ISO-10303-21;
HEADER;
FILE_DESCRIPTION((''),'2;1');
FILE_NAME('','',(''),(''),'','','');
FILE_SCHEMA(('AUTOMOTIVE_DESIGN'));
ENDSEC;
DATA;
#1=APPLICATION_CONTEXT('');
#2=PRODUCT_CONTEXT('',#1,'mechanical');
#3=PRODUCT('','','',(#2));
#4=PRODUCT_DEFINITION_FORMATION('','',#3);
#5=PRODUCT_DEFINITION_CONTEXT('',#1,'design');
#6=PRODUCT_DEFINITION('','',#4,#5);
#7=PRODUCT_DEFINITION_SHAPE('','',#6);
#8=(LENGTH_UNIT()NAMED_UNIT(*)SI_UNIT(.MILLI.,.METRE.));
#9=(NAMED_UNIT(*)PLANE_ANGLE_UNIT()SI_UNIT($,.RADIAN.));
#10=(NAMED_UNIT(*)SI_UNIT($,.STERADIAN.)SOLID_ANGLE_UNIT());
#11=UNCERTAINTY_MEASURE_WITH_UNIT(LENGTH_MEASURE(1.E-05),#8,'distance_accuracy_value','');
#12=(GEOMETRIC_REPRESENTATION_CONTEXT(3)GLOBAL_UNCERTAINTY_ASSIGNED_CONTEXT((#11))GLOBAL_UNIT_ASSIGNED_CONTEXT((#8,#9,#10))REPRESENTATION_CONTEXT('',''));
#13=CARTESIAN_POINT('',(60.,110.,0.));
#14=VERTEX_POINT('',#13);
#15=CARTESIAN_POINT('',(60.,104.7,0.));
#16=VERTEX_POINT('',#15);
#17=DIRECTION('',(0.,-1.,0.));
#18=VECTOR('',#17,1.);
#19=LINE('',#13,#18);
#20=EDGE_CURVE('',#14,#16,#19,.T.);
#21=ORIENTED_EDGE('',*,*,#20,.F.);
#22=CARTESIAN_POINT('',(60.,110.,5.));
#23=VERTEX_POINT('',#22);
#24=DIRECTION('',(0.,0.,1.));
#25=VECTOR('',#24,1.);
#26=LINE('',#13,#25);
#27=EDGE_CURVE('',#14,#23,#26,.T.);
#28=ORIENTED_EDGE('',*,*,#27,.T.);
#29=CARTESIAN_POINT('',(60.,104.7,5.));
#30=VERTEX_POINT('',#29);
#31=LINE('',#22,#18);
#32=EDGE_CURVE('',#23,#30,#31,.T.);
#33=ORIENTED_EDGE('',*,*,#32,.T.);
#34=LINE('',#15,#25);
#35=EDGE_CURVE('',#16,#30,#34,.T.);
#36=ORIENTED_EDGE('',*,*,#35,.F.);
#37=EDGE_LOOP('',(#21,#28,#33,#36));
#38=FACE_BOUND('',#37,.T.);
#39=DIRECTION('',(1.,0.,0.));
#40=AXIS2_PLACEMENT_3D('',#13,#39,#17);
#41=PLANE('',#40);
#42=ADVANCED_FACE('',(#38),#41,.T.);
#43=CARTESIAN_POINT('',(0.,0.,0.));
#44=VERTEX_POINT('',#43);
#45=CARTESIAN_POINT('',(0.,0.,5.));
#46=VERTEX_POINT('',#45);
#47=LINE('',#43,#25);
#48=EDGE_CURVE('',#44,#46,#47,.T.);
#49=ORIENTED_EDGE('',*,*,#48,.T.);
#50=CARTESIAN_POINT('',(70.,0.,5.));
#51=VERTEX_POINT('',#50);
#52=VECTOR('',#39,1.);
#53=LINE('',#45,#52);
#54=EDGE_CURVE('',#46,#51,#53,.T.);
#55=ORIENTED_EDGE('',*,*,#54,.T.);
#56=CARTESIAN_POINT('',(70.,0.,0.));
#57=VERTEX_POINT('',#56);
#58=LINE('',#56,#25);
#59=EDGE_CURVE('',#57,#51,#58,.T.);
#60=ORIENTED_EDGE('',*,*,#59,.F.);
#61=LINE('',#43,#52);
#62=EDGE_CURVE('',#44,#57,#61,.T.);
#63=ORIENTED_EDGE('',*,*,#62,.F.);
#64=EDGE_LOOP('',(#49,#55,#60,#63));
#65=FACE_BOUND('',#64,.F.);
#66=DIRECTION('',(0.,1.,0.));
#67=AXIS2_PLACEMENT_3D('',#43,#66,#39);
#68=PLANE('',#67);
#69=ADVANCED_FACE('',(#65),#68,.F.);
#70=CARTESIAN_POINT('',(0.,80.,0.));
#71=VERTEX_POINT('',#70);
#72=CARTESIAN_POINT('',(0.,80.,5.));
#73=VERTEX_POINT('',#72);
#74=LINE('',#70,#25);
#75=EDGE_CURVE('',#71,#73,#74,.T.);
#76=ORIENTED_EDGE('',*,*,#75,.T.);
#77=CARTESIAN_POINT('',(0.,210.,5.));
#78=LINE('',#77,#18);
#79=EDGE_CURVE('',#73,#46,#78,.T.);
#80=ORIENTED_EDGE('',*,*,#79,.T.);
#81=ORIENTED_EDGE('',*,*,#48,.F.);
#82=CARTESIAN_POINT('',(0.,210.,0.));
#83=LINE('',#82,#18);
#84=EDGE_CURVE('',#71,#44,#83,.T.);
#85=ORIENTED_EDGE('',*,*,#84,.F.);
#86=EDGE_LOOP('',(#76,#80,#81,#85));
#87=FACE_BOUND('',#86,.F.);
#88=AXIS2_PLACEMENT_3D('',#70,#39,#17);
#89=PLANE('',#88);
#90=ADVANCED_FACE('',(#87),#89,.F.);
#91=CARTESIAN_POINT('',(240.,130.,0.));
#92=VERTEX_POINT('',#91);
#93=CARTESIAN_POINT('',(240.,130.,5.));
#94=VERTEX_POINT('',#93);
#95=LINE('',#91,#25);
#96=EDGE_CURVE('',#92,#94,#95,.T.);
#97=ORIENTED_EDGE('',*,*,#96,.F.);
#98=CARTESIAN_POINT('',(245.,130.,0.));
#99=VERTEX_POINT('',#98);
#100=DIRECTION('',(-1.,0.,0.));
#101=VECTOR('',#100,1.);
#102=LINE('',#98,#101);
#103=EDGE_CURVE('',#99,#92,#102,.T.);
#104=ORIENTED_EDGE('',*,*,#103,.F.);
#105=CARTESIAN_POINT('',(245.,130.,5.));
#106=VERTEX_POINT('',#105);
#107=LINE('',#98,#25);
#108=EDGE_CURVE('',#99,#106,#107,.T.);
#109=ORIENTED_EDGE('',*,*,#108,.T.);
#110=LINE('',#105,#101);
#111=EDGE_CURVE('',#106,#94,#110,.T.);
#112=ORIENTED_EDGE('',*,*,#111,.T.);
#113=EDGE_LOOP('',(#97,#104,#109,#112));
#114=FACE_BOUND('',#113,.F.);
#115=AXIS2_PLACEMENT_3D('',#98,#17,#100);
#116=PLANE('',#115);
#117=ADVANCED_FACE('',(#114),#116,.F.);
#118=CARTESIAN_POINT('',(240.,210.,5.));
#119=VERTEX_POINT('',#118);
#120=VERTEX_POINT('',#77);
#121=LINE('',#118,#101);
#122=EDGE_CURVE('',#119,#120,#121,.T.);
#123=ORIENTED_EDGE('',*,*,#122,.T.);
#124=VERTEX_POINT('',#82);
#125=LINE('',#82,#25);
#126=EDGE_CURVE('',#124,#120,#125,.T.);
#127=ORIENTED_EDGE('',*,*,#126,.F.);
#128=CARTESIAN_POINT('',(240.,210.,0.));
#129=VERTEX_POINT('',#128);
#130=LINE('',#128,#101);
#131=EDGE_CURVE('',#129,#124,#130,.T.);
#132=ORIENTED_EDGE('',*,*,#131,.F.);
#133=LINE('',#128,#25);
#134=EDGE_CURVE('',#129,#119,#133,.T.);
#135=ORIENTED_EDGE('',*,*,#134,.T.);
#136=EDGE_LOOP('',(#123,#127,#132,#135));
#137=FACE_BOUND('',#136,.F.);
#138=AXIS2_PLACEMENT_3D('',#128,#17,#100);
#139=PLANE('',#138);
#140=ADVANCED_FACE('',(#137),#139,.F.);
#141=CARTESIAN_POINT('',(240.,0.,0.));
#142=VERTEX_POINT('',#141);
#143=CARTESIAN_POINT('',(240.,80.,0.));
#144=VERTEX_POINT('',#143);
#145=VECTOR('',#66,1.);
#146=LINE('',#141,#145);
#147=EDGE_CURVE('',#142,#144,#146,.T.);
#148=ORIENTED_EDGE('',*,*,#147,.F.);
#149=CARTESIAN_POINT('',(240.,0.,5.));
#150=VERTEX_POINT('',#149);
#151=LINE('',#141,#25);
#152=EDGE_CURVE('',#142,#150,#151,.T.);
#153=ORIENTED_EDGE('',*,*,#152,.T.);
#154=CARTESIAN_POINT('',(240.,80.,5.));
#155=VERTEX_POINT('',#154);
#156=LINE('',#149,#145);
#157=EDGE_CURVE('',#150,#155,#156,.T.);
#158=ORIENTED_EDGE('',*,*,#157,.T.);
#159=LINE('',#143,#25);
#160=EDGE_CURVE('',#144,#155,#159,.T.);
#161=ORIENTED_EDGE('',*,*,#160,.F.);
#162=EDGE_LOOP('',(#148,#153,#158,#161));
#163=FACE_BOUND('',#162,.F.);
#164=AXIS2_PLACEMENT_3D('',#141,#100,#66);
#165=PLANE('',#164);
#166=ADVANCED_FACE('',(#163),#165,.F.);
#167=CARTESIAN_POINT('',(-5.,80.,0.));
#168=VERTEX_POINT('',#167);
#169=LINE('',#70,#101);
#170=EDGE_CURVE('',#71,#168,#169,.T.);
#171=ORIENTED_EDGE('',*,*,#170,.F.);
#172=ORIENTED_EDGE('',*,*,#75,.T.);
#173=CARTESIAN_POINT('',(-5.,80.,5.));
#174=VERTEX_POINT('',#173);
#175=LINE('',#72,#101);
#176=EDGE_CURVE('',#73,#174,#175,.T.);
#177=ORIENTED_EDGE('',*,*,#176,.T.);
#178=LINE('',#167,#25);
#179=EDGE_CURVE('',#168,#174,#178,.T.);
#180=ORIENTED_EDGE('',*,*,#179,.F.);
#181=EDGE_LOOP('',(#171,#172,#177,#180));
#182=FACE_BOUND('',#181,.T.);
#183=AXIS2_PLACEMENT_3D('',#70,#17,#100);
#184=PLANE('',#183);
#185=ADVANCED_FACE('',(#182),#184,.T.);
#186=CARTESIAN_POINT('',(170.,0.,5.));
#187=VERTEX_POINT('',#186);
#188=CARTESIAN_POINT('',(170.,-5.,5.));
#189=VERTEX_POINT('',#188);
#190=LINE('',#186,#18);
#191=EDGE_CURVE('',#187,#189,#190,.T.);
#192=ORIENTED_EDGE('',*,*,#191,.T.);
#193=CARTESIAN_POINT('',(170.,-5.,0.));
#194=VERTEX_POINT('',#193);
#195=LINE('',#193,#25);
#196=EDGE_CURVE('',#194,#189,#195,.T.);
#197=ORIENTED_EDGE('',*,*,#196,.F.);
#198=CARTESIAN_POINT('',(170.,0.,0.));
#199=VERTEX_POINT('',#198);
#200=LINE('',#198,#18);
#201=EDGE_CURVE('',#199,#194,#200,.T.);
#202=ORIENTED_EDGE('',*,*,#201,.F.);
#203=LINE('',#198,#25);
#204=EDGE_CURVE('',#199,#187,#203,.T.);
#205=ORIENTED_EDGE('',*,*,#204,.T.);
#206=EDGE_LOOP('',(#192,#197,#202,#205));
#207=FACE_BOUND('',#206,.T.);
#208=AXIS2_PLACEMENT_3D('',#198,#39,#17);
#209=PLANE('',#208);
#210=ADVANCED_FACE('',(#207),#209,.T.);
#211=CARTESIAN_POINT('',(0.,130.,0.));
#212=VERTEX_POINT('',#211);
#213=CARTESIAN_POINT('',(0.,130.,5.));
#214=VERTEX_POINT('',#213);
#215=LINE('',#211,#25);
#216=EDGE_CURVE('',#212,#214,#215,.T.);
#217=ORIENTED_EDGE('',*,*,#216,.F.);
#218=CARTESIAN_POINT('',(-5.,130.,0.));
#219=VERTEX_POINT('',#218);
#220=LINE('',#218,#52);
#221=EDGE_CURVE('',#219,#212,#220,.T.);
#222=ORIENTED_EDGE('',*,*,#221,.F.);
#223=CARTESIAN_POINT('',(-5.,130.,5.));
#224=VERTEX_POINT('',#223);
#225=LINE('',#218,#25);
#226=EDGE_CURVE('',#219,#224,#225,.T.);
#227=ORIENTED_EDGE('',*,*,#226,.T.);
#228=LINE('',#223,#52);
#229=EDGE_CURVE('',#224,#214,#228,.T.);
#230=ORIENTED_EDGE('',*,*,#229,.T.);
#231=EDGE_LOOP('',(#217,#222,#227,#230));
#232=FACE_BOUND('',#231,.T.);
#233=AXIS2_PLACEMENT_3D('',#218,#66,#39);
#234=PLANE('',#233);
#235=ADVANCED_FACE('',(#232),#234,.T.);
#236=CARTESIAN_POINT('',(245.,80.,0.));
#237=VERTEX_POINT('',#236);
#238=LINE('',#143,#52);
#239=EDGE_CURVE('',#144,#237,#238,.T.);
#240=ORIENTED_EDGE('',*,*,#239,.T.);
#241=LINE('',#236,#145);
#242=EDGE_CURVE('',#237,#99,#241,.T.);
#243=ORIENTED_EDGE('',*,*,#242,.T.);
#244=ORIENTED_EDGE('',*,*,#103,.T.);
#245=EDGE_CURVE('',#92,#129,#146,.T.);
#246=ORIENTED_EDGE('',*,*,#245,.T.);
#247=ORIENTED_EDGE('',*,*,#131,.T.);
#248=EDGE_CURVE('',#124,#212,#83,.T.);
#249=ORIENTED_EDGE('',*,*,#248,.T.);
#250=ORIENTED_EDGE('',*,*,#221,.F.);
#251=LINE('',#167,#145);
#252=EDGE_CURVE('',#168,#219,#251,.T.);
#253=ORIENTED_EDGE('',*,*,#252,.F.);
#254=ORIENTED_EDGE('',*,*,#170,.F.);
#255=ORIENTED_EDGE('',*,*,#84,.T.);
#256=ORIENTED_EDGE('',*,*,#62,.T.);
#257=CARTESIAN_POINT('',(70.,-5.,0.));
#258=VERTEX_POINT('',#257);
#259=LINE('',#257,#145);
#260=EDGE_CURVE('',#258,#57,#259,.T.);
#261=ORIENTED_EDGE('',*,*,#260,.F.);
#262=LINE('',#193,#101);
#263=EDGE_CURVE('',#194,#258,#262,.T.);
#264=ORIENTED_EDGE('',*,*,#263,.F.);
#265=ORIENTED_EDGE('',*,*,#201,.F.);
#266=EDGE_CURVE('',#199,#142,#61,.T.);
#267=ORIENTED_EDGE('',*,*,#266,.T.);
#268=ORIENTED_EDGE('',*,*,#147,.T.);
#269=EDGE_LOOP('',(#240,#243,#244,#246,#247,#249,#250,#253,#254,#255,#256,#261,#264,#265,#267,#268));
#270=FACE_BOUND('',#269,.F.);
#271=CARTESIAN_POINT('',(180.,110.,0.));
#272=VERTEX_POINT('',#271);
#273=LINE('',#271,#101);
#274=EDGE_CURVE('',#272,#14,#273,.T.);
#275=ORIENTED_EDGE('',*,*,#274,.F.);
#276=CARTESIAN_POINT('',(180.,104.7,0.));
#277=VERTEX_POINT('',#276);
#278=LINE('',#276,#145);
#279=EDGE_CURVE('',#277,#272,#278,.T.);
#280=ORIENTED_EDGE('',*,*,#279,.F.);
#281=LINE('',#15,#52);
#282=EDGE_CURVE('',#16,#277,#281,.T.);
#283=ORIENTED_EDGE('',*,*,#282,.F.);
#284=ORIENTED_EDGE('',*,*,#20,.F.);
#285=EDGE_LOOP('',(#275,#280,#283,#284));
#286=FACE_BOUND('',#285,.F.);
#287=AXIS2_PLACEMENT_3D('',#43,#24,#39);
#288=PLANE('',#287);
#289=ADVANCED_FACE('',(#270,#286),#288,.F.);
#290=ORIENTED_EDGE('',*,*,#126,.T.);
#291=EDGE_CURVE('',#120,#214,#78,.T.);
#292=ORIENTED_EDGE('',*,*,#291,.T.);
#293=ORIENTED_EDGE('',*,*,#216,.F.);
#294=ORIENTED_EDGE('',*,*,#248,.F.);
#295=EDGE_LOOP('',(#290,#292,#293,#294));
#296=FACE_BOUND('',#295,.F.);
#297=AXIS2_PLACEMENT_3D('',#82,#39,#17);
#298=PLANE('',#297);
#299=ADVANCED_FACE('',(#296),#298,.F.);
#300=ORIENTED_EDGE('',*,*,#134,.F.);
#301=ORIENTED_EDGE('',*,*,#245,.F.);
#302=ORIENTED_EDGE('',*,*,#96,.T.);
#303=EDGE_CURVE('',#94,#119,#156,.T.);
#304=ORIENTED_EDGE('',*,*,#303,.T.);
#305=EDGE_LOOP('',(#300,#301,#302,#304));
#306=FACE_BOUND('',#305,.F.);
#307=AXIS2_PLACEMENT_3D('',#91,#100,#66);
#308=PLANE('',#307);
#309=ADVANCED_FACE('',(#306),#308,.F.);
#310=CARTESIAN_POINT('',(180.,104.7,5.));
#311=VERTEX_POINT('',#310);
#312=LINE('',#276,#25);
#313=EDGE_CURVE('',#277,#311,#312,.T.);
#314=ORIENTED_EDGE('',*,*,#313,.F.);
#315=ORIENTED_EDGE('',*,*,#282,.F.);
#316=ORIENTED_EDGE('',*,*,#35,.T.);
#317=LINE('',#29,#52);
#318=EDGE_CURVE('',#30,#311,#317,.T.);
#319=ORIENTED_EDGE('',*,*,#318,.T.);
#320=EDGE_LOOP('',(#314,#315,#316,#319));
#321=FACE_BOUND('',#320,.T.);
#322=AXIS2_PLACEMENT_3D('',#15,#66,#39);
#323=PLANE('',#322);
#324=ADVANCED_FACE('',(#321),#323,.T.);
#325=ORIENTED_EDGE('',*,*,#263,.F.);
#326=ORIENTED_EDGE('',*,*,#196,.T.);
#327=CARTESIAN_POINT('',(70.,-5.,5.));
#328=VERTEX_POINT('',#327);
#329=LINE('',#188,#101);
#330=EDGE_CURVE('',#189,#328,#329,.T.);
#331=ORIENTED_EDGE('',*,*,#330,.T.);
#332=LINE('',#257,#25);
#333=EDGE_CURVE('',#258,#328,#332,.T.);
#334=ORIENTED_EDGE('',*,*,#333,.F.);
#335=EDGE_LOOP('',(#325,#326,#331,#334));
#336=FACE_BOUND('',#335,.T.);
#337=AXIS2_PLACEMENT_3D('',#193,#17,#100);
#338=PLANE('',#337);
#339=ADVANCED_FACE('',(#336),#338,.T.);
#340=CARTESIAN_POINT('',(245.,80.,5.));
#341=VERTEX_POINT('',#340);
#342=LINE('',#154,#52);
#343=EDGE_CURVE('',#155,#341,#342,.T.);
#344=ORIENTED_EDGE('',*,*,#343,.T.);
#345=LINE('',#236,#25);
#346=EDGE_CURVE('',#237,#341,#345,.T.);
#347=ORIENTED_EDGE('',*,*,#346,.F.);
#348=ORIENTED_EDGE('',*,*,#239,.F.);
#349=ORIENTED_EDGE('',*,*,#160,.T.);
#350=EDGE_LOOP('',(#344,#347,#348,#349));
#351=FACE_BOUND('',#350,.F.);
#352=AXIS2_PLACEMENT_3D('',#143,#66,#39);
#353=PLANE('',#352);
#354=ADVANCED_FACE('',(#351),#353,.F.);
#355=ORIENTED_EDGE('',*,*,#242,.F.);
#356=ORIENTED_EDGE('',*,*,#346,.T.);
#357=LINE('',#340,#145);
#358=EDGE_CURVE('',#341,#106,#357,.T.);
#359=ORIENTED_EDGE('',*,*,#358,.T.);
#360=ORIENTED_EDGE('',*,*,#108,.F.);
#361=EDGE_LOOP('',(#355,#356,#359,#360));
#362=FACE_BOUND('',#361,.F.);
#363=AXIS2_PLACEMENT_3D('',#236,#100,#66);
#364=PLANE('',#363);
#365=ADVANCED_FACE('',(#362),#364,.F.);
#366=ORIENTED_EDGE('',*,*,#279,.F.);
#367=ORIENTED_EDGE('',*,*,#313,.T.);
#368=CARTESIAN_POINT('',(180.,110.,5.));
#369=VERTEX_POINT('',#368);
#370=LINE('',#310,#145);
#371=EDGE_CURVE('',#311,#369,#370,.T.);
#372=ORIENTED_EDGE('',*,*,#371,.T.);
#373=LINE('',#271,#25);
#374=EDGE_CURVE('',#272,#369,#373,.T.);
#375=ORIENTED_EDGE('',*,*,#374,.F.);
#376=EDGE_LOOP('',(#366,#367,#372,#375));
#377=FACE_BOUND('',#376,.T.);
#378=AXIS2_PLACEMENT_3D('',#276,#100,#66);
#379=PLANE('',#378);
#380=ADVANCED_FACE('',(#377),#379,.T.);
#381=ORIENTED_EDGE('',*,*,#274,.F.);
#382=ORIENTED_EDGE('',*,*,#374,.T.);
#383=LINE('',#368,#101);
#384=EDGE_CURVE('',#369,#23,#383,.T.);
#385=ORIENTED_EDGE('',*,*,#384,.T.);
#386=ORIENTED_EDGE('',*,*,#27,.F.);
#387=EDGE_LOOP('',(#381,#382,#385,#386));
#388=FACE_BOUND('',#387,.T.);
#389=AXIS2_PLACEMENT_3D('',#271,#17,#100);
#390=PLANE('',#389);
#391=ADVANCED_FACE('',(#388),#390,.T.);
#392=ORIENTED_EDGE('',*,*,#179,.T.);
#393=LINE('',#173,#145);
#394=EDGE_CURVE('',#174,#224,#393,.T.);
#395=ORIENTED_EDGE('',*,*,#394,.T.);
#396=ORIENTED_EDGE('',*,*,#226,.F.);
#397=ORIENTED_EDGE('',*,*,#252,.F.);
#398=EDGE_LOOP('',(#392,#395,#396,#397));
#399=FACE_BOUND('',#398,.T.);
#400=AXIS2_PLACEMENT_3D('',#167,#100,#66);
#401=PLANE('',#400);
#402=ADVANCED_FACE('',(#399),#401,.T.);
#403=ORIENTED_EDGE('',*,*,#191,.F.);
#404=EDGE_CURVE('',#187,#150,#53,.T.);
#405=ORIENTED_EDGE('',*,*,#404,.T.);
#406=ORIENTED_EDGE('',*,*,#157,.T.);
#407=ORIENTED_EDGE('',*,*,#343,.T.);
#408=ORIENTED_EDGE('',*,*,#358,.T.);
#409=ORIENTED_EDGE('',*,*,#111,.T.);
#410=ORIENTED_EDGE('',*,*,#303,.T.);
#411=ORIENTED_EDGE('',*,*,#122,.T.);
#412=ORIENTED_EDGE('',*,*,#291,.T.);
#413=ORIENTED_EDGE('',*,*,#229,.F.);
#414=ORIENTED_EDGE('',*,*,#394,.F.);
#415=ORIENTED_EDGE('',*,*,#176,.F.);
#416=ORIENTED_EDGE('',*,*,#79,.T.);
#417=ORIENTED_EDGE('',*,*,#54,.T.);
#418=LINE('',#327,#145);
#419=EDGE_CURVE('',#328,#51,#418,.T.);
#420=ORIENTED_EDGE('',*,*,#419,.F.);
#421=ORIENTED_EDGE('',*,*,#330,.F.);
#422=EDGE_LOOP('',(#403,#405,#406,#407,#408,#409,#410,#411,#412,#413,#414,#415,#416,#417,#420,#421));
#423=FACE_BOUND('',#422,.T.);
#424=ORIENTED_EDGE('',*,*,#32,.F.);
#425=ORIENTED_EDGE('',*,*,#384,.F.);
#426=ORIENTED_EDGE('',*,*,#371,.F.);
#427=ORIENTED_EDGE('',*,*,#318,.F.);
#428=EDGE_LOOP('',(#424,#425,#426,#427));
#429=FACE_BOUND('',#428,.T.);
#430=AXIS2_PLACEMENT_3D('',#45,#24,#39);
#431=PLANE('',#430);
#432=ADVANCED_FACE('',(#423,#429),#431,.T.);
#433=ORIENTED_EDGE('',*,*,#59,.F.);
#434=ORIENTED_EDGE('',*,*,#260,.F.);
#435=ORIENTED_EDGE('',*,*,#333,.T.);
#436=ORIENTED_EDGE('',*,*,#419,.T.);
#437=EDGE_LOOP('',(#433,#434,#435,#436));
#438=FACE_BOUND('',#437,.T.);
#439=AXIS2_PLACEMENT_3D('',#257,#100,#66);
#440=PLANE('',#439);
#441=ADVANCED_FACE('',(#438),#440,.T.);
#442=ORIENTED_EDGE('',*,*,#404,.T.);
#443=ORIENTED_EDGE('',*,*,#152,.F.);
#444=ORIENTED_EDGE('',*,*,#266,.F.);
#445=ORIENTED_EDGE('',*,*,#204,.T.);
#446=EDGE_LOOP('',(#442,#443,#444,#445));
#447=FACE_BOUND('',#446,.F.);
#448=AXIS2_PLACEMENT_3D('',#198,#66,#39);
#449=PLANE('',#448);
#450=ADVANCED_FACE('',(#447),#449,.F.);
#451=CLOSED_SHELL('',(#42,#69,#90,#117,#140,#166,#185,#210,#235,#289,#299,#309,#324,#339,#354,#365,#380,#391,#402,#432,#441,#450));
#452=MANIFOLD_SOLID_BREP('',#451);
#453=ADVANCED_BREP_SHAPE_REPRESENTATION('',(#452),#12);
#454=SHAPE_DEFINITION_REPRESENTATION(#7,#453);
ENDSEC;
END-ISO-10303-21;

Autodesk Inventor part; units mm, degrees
ref_plane "YZ Plane" through (0, 0, 0) normal (1, 0, 0) x (0, 1, 0)
ref_plane "XZ Plane" through (0, 0, 0) normal (0, 1, 0) x (-1, 0, 0)
ref_plane "XY Plane" through (0, 0, 0) normal (0, 0, 1) x (1, 0, 0)
sketch "Sketch1" plane through (0, 0, 0) normal (0, 0, 1) x (1, 0, 0)
  line L0 (0, 0) -> (240, 0)
  line L1 (240, 0) -> (240, 210)
  line L2 (240, 210) -> (0, 210)
  line L3 (0, 210) -> (0, 0)
  line L4 (0, 80) -> (-5, 80)
  line L5 (-5, 80) -> (-5, 130)
  line L6 (-5, 130) -> (0, 130)
  line L7 (0, 130) -> (0, 80)
  line L8 (120, 0) -> (120, 210) construction
  line L9 (240, 80) -> (245, 80)
  line L10 (245, 80) -> (245, 130)
  line L11 (245, 130) -> (240, 130)
  line L12 (240, 130) -> (240, 80)
  line L13 (60, 104.7) -> (180, 104.7)
  line L14 (180, 104.7) -> (180, 110)
  line L15 (180, 110) -> (60, 110)
  line L16 (60, 110) -> (60, 104.7)
  line L17 (70, 0) -> (170, 0)
  line L18 (170, 0) -> (170, -5)
  line L19 (170, -5) -> (70, -5)
  line L20 (70, -5) -> (70, 0)
  point P0 (240, 80)
  point P1 (170, 0)
  dimension "d0" = 240
  dimension "d1" = 210
  dimension "d2" = 5
  dimension "d3" = 50
  dimension "d6" = 120
  dimension "d7" = 5.3
  dimension "d10" = 100
  dimension "d11" = 5
  dimension "d12" = 50
extrude "Extrusion1" add sketch "Sketch1" along normal blind 5
properties part number "back"
